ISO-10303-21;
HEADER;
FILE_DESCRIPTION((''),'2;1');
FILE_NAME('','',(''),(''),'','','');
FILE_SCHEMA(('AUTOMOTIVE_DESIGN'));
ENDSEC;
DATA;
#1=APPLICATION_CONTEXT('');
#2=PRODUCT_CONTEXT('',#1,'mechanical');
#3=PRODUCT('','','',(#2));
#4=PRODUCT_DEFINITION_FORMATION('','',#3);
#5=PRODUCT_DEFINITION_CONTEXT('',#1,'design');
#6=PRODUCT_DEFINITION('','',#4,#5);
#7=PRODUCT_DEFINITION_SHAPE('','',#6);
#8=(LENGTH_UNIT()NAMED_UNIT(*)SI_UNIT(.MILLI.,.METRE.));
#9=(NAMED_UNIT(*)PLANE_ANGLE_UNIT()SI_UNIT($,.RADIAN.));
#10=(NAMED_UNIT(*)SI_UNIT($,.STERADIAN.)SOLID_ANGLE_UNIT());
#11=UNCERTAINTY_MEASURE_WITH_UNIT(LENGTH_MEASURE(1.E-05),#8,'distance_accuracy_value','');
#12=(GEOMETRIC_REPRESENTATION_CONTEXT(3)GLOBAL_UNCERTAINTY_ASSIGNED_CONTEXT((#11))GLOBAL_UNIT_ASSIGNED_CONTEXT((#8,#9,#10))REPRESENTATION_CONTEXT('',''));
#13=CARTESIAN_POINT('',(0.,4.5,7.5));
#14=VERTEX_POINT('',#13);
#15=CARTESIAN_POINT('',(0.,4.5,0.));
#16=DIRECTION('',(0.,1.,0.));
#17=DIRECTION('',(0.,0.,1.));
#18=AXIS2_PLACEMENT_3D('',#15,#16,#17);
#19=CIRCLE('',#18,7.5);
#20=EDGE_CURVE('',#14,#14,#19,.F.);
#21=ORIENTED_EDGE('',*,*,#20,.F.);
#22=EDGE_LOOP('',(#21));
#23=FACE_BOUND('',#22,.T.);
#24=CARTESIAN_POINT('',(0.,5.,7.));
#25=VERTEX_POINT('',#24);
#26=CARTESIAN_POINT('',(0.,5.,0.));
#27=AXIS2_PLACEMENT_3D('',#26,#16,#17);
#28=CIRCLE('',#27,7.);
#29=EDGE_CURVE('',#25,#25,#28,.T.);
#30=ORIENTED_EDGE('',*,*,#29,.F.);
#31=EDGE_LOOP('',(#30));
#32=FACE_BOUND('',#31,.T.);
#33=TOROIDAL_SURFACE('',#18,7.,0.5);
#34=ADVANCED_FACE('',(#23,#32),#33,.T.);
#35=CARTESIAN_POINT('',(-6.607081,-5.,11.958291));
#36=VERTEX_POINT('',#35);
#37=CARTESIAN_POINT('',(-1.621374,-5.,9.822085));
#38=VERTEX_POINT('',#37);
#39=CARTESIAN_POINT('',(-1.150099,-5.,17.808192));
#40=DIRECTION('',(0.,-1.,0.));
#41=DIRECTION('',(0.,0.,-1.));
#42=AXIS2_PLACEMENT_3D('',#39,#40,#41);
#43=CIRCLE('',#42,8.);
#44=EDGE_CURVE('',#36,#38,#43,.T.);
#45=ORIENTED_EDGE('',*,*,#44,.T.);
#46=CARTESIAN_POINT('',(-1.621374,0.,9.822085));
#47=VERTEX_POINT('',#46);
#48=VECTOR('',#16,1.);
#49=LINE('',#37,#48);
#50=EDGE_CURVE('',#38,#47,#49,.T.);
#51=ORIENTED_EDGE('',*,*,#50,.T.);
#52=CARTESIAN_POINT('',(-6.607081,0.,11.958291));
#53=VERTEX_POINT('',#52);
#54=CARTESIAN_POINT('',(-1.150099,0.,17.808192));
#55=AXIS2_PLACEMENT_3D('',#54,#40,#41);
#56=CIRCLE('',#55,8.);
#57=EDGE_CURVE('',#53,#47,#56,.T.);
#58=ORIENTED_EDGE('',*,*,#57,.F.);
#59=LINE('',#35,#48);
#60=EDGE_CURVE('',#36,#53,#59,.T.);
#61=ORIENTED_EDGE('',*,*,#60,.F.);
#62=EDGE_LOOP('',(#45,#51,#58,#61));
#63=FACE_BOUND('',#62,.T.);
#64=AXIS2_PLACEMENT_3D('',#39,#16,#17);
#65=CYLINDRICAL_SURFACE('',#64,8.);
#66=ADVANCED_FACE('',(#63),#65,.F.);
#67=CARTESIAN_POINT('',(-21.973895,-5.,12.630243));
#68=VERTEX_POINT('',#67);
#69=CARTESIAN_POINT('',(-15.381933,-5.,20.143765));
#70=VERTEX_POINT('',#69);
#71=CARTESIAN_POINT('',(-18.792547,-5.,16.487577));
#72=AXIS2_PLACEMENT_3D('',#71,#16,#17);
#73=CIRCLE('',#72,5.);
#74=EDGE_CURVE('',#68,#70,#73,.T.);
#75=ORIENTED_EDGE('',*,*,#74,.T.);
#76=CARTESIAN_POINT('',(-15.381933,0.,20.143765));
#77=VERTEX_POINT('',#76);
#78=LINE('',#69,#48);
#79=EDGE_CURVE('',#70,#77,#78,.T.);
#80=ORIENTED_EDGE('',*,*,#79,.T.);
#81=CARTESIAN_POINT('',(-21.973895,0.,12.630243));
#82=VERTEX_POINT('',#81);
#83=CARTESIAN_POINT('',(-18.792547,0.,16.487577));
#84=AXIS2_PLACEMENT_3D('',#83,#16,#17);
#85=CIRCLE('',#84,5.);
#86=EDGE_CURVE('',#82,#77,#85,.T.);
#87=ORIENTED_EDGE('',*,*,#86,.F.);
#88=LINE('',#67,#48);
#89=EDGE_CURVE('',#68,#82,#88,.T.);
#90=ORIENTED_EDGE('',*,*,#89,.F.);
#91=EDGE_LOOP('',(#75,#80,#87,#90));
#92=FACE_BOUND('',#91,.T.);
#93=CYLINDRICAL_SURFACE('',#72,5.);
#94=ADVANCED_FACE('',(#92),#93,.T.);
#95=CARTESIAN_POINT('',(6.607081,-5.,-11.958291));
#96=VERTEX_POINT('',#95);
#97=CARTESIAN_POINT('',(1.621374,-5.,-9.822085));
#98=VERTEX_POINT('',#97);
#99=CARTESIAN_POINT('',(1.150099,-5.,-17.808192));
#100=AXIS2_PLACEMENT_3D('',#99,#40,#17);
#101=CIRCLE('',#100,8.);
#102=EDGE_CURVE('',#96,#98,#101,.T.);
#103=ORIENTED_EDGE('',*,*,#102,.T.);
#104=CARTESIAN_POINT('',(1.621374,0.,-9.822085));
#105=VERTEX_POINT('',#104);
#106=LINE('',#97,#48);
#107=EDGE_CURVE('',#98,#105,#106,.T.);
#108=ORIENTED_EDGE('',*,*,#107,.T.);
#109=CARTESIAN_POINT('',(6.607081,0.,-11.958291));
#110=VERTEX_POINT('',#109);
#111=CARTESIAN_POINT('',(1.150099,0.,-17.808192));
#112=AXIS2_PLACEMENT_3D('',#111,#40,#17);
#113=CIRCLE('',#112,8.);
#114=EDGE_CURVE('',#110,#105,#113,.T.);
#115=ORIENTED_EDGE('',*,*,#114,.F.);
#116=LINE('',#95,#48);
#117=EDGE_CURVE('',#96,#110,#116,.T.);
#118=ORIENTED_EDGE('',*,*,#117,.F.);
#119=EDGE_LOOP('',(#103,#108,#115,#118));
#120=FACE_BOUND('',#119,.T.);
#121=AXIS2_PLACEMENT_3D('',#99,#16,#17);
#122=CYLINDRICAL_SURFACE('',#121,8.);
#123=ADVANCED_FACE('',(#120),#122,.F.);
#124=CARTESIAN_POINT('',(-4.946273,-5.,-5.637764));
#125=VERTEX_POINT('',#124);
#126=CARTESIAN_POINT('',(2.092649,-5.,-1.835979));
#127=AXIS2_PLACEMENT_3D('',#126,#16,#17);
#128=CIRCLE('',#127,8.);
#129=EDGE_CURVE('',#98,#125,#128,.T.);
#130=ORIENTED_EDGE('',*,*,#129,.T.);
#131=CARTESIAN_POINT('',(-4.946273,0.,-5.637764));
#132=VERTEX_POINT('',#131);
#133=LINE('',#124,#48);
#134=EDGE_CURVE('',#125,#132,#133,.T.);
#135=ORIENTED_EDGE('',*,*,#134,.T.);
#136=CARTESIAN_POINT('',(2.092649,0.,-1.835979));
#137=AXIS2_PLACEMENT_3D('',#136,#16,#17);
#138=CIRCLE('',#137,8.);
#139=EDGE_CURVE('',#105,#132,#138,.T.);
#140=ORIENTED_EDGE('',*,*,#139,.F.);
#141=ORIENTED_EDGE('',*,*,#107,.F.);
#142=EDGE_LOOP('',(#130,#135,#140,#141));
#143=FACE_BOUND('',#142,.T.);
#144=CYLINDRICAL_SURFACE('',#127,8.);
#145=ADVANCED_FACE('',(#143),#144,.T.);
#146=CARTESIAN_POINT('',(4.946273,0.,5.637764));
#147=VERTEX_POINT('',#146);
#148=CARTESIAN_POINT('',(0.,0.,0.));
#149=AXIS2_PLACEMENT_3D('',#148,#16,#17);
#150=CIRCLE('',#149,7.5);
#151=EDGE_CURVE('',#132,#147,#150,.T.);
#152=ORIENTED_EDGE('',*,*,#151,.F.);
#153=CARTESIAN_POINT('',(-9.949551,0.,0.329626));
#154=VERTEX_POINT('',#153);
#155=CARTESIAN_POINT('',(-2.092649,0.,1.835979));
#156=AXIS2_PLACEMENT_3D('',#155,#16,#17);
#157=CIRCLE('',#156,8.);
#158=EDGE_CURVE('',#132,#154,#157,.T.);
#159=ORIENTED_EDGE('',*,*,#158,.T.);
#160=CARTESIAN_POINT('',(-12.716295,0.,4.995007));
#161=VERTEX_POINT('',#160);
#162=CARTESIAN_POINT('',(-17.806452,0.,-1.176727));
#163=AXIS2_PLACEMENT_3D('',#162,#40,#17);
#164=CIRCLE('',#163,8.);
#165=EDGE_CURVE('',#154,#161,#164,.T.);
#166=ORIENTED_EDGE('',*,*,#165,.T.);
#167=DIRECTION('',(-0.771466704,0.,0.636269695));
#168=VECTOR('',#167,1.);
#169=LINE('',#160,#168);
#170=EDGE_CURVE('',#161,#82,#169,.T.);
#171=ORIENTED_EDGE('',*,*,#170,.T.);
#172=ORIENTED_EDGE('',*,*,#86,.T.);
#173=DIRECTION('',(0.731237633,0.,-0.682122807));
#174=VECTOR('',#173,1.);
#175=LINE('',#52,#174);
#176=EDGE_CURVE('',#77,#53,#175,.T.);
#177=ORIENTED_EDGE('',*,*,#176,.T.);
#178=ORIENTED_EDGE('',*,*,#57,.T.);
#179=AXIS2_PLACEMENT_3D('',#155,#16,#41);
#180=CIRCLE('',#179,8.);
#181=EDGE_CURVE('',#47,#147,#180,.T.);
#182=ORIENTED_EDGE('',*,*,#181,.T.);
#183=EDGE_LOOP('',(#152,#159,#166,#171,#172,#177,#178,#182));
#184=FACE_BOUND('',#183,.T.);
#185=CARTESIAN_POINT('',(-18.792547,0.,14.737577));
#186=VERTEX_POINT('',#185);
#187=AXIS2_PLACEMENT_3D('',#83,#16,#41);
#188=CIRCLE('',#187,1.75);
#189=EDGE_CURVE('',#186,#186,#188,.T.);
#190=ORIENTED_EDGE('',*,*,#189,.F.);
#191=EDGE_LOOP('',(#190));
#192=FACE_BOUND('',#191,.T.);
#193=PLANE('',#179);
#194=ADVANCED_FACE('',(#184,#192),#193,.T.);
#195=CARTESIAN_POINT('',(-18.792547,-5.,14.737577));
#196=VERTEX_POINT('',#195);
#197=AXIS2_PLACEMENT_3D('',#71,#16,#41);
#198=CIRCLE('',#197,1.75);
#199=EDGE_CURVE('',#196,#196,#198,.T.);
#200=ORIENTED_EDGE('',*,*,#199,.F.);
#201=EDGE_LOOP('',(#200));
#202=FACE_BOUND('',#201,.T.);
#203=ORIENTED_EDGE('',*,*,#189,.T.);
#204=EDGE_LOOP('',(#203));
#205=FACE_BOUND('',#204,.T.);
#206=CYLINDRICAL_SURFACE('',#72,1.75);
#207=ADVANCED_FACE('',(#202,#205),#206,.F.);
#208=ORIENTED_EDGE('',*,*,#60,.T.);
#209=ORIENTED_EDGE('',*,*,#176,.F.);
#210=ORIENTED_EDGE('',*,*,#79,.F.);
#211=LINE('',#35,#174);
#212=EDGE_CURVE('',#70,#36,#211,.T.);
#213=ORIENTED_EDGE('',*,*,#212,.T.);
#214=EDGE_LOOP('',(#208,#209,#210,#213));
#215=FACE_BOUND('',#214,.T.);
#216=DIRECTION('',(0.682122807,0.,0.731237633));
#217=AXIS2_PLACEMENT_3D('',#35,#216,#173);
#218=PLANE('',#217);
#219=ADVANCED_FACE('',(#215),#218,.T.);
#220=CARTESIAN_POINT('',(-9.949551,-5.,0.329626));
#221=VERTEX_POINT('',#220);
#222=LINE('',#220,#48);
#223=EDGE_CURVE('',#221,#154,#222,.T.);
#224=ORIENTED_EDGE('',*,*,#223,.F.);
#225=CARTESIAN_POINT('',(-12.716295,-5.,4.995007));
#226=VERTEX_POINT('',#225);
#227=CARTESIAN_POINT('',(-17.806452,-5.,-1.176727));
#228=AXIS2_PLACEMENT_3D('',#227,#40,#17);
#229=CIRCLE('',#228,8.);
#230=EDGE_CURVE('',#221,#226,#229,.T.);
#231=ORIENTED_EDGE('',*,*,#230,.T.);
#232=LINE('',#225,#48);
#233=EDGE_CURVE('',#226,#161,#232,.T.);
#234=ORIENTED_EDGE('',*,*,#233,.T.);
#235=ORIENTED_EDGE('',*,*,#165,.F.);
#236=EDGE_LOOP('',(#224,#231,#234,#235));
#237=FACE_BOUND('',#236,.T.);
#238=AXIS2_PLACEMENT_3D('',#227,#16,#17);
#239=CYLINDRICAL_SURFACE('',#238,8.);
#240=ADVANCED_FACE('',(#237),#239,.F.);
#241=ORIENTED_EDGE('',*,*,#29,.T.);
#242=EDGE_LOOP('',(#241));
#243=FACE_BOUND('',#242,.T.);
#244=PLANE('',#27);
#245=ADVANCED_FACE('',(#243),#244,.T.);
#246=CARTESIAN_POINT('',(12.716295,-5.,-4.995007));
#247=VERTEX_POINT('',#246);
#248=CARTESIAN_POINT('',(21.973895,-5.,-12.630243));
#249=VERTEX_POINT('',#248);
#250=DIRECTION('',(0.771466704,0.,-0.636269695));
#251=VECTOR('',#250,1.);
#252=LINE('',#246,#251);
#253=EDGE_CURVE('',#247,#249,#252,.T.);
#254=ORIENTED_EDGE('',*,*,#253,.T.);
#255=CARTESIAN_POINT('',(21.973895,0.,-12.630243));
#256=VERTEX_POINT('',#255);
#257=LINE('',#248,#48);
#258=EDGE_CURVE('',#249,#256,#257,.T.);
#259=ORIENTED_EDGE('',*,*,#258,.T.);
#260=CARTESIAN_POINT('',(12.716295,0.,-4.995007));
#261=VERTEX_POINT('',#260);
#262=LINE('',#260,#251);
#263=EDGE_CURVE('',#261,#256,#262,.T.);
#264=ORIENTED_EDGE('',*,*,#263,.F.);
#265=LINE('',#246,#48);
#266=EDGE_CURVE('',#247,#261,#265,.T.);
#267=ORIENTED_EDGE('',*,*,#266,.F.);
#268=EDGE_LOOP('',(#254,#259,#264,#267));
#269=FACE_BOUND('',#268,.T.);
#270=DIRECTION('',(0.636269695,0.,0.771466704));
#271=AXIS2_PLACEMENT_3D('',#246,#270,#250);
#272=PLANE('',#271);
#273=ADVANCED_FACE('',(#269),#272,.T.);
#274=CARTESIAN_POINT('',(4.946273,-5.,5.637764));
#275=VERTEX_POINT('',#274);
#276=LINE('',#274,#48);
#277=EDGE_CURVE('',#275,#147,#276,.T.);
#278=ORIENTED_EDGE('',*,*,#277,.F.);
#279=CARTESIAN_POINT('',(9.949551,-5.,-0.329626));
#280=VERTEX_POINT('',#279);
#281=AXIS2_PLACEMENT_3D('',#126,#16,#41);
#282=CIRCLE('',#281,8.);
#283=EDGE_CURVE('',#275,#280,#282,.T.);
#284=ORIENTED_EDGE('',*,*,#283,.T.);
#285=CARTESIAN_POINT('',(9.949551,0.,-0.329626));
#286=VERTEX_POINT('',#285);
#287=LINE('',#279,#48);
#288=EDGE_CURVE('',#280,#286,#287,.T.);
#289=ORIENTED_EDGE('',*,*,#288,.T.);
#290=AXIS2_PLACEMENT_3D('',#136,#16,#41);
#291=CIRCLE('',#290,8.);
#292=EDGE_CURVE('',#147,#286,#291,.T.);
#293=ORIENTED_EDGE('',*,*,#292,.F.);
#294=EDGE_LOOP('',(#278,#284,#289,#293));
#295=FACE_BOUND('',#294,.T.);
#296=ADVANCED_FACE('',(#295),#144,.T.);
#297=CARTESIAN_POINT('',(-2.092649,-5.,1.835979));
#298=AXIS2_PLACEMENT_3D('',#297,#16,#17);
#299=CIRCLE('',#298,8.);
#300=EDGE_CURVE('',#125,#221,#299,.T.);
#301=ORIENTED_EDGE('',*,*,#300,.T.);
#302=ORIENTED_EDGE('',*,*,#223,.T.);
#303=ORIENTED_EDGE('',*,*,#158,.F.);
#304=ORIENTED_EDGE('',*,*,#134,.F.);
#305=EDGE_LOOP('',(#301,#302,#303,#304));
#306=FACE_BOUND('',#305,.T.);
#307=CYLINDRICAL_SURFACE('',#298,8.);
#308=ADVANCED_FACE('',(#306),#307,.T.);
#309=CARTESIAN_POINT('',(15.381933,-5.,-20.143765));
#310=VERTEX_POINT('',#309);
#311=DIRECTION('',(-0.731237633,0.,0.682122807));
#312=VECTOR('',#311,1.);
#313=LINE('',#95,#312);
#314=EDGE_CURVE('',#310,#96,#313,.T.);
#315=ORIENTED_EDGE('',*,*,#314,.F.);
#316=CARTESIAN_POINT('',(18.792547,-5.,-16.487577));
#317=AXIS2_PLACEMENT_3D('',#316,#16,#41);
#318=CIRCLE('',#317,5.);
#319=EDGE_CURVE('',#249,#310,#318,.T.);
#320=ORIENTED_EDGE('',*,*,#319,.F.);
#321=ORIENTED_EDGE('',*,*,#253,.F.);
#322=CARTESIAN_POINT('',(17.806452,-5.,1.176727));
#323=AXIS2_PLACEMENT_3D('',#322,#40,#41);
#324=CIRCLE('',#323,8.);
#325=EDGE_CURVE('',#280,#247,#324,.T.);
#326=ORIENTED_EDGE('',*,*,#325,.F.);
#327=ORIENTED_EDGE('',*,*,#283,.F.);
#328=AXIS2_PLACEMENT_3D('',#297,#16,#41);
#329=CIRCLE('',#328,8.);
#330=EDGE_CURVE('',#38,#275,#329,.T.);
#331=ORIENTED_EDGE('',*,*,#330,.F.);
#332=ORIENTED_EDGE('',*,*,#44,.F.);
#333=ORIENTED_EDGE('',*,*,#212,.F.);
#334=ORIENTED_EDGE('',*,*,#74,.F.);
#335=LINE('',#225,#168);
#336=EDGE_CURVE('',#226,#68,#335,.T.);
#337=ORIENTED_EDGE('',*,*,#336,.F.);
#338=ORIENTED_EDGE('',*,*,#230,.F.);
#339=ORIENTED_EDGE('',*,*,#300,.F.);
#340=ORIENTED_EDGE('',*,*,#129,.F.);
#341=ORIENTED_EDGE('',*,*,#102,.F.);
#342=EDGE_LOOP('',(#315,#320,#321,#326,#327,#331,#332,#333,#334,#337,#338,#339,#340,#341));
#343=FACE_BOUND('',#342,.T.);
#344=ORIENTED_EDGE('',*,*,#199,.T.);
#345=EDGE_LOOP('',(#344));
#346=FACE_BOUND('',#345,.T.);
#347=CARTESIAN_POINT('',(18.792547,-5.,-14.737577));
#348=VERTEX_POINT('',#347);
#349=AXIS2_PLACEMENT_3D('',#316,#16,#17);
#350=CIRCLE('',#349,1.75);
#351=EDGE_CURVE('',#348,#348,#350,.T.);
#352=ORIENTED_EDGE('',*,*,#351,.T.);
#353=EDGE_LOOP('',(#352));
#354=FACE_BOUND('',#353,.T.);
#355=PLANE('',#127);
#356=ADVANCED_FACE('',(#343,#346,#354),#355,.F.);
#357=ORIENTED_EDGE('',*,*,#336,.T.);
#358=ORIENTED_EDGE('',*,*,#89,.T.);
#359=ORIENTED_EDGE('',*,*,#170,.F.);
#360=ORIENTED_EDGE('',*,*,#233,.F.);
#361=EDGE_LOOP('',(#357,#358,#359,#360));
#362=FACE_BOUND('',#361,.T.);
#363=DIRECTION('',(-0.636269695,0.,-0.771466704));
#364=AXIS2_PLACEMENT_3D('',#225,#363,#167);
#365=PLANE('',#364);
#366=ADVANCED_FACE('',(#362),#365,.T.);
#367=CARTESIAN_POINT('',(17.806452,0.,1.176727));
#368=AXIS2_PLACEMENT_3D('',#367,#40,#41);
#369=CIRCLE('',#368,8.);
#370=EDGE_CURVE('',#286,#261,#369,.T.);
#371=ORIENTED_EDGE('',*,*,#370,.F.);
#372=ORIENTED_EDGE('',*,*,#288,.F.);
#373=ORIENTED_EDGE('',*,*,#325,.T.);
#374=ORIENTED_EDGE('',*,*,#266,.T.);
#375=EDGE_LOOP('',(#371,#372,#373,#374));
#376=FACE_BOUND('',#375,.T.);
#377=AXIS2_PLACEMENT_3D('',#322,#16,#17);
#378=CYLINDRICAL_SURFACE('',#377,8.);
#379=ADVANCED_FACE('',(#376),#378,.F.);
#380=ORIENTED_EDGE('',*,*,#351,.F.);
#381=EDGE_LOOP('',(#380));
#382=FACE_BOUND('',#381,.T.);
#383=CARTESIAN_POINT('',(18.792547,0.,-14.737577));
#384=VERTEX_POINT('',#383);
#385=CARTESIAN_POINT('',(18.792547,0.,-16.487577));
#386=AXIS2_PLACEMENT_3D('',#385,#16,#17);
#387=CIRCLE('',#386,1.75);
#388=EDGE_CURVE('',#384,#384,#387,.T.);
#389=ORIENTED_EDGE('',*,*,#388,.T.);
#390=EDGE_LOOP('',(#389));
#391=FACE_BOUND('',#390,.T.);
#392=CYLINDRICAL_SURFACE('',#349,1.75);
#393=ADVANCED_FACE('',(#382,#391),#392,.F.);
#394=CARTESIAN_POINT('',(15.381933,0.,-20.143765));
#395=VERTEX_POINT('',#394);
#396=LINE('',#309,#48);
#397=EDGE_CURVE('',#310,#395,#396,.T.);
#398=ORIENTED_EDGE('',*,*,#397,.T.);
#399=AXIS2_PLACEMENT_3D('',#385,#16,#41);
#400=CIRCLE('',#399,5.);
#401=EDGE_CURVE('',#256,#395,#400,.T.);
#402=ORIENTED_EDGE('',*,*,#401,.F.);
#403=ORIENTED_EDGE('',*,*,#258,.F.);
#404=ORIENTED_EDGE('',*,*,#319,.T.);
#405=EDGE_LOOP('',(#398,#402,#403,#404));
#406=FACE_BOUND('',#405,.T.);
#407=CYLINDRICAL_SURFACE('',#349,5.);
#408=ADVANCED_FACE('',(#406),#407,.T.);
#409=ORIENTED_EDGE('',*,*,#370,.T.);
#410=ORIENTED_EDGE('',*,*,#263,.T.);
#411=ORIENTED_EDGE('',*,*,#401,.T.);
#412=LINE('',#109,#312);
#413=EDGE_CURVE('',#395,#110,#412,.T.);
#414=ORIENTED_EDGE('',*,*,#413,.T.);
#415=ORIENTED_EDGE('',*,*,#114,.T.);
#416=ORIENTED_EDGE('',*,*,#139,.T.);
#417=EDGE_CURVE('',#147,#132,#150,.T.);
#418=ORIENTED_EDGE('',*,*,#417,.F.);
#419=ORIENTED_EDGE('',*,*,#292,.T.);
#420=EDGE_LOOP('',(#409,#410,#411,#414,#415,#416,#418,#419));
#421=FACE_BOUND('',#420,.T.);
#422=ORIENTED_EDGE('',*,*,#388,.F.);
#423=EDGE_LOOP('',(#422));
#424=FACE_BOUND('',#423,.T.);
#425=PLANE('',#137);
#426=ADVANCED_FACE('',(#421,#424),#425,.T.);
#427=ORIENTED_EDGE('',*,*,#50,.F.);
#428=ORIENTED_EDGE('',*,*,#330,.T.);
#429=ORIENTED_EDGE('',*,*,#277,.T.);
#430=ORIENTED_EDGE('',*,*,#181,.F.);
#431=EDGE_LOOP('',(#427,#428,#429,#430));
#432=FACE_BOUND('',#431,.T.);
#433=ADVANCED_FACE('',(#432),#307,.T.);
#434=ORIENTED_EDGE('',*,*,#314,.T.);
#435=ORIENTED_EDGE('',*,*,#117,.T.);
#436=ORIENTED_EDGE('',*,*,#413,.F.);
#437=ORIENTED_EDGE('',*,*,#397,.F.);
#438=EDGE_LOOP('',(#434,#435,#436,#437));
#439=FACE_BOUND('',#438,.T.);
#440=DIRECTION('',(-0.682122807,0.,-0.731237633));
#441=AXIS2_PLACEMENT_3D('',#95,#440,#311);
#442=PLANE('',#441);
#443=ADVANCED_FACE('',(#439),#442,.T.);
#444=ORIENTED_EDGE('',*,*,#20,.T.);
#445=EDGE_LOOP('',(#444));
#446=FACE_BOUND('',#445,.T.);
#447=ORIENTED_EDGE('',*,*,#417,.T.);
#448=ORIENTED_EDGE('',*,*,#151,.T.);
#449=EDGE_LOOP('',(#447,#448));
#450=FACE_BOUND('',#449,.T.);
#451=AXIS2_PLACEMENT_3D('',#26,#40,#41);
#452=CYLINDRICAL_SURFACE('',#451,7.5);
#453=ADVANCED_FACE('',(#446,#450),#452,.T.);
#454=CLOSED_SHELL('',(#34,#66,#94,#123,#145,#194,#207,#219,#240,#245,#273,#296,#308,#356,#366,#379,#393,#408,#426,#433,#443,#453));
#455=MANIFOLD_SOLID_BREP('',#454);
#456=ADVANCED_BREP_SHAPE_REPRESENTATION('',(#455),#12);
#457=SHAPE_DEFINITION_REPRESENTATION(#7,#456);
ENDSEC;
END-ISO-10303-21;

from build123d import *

# Parameters (mm, degrees)
SKETCH1_R           = 7.5
BOSS_EXTRUDE1_DEPTH = 5
SKETCH2_R           = 1.75
BOSS_EXTRUDE2_DEPTH = 5
CIRPATTERN3_COUNT   = 2
FILLET5_R           = 0.5


with BuildPart() as part:
    # Sketch1 → Boss-Extrude1 (new body)
    with BuildSketch(Plane(origin=(0, 0, 0), x_dir=(1, 0, 0), z_dir=(0, 1, 0))):
        with Locations(Location((0, 0, 0), (0, 0, 270))):
            Circle(SKETCH1_R)
    extrude(amount=BOSS_EXTRUDE1_DEPTH)

    # Sketch2 → Boss-Extrude2 (add)
    with BuildSketch(Plane(origin=(0, 0, 0), x_dir=(1, 0, 0), z_dir=(0, 1, 0))):
        with BuildLine():
            Line((12.716294884, 4.995006753), (21.973895335, 12.630243088))
            ThreePointArc((21.973895335, 12.630243088), (22.551056235, 19.785091931), (15.381932825, 20.143764773))
            Line((15.381932825, 20.143764773), (6.607081232, 11.958291083))
            ThreePointArc((6.607081232, 11.958291083), (4.300797699, 10.454751027), (1.621374113, 9.822085487))
            ThreePointArc((1.621374113, 9.822085487), (-2.205943818, 8.582985268), (-4.946272983, 5.637764059))
            Line((-4.946272983, 5.637764059), (0, 0))
            Line((0, 0), (4.946272983, -5.637764059))
            ThreePointArc((4.946272983, -5.637764059), (8.223006092, -3.303936295), (9.949550947, 0.329625974))
            ThreePointArc((9.949550947, 0.329625974), (10.925462035, 2.903955787), (12.716294884, 4.995006753))
        make_face()
        with Locations(Location((18.792546862, 16.487576609, 0), (0, 0, 270))):
            Circle(SKETCH2_R, mode=Mode.SUBTRACT)
    boss_extrude2 = extrude(amount=-BOSS_EXTRUDE2_DEPTH)

    # CirPattern3: Boss-Extrude2 ×2 about axis
    cirpattern3_axis = Axis((0, 0, 0), (0, 1, 0))
    for i in range(1, CIRPATTERN3_COUNT):
        add(boss_extrude2.rotate(cirpattern3_axis, i * 360 / CIRPATTERN3_COUNT))

    # Fillet5
    fillet5_edges = [part.edges().sort_by_distance(p)[0] for p in [
        (0, 5, -7.5),
    ]]
    fillet(fillet5_edges, radius=FILLET5_R)


solid = part.part
